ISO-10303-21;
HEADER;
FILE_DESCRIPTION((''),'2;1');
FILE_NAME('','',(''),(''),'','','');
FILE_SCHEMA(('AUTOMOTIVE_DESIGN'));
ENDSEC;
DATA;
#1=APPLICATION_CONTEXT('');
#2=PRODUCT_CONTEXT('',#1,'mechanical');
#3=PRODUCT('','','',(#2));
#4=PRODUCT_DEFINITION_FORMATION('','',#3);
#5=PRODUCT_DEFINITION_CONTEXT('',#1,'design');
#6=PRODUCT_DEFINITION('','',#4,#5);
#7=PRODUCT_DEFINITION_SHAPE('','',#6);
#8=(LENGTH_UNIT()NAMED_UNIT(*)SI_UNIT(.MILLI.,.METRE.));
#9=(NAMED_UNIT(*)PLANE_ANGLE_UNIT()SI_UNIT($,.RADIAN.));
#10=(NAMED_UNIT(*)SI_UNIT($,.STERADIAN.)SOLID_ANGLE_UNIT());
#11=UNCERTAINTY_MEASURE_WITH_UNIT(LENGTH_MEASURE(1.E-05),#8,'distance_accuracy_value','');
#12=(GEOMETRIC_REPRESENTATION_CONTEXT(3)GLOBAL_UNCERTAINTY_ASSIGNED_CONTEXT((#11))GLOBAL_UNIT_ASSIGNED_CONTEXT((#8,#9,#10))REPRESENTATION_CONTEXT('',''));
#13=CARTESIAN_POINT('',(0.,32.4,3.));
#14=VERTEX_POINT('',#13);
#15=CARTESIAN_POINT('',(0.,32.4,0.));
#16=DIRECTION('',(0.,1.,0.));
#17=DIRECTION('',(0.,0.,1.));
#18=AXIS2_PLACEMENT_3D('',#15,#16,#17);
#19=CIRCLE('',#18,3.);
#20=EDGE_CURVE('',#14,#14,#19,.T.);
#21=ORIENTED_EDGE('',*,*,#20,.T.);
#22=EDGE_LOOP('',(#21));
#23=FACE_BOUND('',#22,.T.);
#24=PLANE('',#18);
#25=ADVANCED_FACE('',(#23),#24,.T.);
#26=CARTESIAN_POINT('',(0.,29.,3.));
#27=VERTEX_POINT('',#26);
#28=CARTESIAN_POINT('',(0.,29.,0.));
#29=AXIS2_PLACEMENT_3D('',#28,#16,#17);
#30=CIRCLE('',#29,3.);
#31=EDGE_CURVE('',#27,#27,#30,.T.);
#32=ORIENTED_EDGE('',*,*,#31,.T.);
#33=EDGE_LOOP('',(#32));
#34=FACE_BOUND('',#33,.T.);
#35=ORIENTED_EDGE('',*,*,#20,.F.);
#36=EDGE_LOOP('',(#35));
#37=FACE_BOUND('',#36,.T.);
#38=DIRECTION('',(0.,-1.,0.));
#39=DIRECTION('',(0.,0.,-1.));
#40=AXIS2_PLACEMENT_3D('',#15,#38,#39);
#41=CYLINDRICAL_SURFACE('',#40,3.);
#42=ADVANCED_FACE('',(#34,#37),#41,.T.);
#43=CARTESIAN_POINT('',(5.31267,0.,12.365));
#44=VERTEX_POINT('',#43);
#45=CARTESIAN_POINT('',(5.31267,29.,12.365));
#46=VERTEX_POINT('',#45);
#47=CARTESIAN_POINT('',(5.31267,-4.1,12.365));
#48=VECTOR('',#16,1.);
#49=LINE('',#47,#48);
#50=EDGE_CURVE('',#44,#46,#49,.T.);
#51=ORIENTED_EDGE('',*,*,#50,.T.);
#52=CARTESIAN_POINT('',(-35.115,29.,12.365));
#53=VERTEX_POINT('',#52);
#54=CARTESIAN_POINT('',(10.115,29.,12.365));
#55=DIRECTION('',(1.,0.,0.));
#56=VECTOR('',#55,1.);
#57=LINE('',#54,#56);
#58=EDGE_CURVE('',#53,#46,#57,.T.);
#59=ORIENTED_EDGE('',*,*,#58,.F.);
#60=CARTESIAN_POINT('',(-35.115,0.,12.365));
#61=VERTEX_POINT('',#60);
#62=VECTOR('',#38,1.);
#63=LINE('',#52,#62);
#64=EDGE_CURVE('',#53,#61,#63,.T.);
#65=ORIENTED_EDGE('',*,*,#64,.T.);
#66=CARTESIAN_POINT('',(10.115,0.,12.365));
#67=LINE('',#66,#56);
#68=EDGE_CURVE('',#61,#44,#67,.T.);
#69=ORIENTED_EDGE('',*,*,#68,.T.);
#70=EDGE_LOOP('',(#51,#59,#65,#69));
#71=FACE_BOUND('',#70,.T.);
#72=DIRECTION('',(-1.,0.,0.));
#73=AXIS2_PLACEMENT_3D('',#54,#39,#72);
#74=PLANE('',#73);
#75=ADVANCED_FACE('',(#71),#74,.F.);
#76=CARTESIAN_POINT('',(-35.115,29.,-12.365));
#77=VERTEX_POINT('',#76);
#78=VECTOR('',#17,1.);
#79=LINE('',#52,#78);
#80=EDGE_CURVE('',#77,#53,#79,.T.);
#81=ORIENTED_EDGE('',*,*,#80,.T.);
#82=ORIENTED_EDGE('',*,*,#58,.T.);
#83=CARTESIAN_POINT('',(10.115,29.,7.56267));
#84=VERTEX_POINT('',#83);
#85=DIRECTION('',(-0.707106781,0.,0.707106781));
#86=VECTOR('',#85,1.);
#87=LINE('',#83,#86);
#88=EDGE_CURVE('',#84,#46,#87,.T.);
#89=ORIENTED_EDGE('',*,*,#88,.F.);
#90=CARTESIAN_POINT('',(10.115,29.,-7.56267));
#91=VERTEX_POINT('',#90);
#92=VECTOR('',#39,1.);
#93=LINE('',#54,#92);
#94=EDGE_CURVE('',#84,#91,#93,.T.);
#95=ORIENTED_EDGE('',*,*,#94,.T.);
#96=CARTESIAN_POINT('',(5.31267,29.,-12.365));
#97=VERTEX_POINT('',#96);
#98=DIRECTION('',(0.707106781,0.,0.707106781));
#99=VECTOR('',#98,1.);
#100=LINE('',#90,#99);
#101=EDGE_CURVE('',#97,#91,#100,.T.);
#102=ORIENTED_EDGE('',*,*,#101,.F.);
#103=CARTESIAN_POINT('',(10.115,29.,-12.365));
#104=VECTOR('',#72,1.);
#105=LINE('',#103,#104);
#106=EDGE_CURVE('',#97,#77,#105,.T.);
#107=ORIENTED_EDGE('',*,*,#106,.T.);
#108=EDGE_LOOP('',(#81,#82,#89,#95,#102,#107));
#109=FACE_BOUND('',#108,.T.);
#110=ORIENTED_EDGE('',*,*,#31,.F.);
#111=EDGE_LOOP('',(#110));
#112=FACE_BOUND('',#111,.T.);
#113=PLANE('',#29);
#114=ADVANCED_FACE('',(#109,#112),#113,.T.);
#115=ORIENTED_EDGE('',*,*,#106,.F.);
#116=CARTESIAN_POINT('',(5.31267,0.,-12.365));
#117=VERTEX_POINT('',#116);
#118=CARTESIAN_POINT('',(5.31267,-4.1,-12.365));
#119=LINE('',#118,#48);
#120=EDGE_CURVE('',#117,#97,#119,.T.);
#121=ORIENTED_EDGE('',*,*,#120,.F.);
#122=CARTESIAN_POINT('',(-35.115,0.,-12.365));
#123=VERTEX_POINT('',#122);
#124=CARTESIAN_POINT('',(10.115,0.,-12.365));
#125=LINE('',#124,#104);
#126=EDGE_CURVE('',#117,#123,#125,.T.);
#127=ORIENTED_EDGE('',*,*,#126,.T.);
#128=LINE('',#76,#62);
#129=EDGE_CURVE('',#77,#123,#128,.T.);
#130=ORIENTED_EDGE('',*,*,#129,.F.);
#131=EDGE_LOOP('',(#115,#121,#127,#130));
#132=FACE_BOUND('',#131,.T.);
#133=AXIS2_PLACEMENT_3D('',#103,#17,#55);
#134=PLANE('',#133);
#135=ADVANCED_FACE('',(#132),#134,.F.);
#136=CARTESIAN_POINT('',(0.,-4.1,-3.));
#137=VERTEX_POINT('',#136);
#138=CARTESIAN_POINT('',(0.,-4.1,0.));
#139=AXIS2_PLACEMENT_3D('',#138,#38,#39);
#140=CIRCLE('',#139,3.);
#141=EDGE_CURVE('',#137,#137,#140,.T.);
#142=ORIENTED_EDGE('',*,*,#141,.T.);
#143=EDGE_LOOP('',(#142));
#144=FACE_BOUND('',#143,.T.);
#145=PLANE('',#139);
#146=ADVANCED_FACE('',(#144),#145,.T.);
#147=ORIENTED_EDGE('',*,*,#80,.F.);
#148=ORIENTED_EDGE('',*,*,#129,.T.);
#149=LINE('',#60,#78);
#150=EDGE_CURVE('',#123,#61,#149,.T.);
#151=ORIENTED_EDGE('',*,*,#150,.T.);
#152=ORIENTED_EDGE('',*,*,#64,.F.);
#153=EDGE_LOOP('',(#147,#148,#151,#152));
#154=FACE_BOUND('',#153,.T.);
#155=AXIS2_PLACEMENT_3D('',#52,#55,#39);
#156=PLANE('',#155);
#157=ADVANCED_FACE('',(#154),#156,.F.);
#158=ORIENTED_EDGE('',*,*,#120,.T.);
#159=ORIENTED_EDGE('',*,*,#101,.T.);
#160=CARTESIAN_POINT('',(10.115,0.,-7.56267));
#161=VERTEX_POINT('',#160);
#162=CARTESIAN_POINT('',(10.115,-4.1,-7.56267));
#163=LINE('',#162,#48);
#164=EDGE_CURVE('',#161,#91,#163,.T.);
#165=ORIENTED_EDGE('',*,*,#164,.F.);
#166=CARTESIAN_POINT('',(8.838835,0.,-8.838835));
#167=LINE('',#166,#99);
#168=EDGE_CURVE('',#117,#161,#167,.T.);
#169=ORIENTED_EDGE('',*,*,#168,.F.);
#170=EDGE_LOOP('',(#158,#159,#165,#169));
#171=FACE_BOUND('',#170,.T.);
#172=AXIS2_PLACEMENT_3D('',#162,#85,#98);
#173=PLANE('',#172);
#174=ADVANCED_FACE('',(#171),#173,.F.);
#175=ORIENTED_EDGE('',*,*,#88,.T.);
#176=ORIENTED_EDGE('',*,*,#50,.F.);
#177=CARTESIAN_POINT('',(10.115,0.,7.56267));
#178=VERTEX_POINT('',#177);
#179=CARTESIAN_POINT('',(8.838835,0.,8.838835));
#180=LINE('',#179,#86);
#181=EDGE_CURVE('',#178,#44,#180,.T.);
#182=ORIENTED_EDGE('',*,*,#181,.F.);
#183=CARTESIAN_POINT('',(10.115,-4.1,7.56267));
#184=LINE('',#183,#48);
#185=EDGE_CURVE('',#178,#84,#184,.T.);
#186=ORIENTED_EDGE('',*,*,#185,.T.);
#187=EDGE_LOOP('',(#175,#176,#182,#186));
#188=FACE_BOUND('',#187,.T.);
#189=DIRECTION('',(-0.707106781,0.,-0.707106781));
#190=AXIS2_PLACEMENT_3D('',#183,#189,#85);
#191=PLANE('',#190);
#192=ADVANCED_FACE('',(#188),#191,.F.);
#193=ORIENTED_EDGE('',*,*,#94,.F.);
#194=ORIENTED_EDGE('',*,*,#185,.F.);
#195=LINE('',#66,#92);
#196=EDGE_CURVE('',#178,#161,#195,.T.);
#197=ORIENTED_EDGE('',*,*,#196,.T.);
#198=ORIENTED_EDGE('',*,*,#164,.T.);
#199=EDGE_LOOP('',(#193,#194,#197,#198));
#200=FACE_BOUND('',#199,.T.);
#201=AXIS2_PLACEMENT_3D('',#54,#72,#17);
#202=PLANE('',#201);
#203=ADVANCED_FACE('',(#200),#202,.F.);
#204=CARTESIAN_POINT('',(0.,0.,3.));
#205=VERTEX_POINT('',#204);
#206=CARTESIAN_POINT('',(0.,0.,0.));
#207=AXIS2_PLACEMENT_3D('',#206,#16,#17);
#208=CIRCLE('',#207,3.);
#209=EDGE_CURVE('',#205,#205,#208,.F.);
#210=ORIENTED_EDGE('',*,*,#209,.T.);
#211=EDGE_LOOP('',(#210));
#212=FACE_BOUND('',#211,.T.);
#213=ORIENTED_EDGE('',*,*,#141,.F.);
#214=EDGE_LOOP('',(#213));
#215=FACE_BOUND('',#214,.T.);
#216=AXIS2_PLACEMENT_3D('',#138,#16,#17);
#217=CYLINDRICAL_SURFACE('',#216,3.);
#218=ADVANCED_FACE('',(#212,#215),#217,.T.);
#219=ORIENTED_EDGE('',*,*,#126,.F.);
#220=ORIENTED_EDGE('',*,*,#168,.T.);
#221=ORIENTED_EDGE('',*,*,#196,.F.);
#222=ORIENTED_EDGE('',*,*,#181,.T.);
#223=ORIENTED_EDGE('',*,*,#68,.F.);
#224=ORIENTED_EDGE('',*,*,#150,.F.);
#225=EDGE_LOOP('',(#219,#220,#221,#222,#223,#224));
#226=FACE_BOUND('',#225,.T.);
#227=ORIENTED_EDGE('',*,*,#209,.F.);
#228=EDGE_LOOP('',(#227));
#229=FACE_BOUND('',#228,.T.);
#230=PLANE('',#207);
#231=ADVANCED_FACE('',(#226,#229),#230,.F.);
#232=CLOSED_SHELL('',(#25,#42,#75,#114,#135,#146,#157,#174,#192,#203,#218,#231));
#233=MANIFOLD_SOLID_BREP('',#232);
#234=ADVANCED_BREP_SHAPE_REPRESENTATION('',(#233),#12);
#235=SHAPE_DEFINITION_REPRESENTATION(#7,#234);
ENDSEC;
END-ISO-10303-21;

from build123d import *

# Parameters (mm, degrees)
SKETCH_1_W          = 45.23
SKETCH_1_H          = 24.73
EXTRUDE_1_DEPTH     = 29
SKETCH_2_R          = 3
EXTRUDE_2_DEPTH     = 3.4
EXTRUDE_START       = 4.1
SKETCH_3_R          = 3
EXTRUDE_3_DEPTH     = 4.1
CUT_EXTRUDE_1_DEPTH = 50.815323446


with BuildPart() as part:
    # ｽｹｯﾁ1 → ﾎﾞｽ - 押し出し1 (new body)
    with BuildSketch(Plane(origin=(0, 0, 0), x_dir=(1, 0, 0), z_dir=(0, 1, 0))):
        with Locations((-12.5, 0)):
            Rectangle(SKETCH_1_W, SKETCH_1_H)
    extrude(amount=EXTRUDE_1_DEPTH)

    # ｽｹｯﾁ2 → ﾎﾞｽ - 押し出し2 (add)
    with BuildSketch(Plane(origin=(0, 29, 0), x_dir=(1, 0, 0), z_dir=(0, 1, 0))):
        with Locations(Location((0, 0, 0), (0, 0, 270))):
            Circle(SKETCH_2_R)
    extrude(amount=EXTRUDE_2_DEPTH)

    # ｽｹｯﾁ3 → ﾎﾞｽ - 押し出し3 (add)
    with BuildSketch(Plane.XZ.offset(EXTRUDE_START)):
        with Locations(Location((0, 0, 0), (0, 0, 90))):
            Circle(SKETCH_3_R)
    extrude(amount=-EXTRUDE_3_DEPTH)

    # ｽｹｯﾁ4 → ｶｯﾄ - 押し出し1 (cut, through all)
    with BuildSketch(Plane(origin=(0, 29, 0), x_dir=(1, 0, 0), z_dir=(0, 1, 0))):
        Polygon((5.31266953, 12.365), (10.115, 12.365), (10.115, 7.56266953), align=None)
        Polygon((5.31266953, -12.365), (10.115, -12.365), (10.115, -7.56266953), align=None)
    extrude(amount=-CUT_EXTRUDE_1_DEPTH, mode=Mode.SUBTRACT)


solid = part.part
